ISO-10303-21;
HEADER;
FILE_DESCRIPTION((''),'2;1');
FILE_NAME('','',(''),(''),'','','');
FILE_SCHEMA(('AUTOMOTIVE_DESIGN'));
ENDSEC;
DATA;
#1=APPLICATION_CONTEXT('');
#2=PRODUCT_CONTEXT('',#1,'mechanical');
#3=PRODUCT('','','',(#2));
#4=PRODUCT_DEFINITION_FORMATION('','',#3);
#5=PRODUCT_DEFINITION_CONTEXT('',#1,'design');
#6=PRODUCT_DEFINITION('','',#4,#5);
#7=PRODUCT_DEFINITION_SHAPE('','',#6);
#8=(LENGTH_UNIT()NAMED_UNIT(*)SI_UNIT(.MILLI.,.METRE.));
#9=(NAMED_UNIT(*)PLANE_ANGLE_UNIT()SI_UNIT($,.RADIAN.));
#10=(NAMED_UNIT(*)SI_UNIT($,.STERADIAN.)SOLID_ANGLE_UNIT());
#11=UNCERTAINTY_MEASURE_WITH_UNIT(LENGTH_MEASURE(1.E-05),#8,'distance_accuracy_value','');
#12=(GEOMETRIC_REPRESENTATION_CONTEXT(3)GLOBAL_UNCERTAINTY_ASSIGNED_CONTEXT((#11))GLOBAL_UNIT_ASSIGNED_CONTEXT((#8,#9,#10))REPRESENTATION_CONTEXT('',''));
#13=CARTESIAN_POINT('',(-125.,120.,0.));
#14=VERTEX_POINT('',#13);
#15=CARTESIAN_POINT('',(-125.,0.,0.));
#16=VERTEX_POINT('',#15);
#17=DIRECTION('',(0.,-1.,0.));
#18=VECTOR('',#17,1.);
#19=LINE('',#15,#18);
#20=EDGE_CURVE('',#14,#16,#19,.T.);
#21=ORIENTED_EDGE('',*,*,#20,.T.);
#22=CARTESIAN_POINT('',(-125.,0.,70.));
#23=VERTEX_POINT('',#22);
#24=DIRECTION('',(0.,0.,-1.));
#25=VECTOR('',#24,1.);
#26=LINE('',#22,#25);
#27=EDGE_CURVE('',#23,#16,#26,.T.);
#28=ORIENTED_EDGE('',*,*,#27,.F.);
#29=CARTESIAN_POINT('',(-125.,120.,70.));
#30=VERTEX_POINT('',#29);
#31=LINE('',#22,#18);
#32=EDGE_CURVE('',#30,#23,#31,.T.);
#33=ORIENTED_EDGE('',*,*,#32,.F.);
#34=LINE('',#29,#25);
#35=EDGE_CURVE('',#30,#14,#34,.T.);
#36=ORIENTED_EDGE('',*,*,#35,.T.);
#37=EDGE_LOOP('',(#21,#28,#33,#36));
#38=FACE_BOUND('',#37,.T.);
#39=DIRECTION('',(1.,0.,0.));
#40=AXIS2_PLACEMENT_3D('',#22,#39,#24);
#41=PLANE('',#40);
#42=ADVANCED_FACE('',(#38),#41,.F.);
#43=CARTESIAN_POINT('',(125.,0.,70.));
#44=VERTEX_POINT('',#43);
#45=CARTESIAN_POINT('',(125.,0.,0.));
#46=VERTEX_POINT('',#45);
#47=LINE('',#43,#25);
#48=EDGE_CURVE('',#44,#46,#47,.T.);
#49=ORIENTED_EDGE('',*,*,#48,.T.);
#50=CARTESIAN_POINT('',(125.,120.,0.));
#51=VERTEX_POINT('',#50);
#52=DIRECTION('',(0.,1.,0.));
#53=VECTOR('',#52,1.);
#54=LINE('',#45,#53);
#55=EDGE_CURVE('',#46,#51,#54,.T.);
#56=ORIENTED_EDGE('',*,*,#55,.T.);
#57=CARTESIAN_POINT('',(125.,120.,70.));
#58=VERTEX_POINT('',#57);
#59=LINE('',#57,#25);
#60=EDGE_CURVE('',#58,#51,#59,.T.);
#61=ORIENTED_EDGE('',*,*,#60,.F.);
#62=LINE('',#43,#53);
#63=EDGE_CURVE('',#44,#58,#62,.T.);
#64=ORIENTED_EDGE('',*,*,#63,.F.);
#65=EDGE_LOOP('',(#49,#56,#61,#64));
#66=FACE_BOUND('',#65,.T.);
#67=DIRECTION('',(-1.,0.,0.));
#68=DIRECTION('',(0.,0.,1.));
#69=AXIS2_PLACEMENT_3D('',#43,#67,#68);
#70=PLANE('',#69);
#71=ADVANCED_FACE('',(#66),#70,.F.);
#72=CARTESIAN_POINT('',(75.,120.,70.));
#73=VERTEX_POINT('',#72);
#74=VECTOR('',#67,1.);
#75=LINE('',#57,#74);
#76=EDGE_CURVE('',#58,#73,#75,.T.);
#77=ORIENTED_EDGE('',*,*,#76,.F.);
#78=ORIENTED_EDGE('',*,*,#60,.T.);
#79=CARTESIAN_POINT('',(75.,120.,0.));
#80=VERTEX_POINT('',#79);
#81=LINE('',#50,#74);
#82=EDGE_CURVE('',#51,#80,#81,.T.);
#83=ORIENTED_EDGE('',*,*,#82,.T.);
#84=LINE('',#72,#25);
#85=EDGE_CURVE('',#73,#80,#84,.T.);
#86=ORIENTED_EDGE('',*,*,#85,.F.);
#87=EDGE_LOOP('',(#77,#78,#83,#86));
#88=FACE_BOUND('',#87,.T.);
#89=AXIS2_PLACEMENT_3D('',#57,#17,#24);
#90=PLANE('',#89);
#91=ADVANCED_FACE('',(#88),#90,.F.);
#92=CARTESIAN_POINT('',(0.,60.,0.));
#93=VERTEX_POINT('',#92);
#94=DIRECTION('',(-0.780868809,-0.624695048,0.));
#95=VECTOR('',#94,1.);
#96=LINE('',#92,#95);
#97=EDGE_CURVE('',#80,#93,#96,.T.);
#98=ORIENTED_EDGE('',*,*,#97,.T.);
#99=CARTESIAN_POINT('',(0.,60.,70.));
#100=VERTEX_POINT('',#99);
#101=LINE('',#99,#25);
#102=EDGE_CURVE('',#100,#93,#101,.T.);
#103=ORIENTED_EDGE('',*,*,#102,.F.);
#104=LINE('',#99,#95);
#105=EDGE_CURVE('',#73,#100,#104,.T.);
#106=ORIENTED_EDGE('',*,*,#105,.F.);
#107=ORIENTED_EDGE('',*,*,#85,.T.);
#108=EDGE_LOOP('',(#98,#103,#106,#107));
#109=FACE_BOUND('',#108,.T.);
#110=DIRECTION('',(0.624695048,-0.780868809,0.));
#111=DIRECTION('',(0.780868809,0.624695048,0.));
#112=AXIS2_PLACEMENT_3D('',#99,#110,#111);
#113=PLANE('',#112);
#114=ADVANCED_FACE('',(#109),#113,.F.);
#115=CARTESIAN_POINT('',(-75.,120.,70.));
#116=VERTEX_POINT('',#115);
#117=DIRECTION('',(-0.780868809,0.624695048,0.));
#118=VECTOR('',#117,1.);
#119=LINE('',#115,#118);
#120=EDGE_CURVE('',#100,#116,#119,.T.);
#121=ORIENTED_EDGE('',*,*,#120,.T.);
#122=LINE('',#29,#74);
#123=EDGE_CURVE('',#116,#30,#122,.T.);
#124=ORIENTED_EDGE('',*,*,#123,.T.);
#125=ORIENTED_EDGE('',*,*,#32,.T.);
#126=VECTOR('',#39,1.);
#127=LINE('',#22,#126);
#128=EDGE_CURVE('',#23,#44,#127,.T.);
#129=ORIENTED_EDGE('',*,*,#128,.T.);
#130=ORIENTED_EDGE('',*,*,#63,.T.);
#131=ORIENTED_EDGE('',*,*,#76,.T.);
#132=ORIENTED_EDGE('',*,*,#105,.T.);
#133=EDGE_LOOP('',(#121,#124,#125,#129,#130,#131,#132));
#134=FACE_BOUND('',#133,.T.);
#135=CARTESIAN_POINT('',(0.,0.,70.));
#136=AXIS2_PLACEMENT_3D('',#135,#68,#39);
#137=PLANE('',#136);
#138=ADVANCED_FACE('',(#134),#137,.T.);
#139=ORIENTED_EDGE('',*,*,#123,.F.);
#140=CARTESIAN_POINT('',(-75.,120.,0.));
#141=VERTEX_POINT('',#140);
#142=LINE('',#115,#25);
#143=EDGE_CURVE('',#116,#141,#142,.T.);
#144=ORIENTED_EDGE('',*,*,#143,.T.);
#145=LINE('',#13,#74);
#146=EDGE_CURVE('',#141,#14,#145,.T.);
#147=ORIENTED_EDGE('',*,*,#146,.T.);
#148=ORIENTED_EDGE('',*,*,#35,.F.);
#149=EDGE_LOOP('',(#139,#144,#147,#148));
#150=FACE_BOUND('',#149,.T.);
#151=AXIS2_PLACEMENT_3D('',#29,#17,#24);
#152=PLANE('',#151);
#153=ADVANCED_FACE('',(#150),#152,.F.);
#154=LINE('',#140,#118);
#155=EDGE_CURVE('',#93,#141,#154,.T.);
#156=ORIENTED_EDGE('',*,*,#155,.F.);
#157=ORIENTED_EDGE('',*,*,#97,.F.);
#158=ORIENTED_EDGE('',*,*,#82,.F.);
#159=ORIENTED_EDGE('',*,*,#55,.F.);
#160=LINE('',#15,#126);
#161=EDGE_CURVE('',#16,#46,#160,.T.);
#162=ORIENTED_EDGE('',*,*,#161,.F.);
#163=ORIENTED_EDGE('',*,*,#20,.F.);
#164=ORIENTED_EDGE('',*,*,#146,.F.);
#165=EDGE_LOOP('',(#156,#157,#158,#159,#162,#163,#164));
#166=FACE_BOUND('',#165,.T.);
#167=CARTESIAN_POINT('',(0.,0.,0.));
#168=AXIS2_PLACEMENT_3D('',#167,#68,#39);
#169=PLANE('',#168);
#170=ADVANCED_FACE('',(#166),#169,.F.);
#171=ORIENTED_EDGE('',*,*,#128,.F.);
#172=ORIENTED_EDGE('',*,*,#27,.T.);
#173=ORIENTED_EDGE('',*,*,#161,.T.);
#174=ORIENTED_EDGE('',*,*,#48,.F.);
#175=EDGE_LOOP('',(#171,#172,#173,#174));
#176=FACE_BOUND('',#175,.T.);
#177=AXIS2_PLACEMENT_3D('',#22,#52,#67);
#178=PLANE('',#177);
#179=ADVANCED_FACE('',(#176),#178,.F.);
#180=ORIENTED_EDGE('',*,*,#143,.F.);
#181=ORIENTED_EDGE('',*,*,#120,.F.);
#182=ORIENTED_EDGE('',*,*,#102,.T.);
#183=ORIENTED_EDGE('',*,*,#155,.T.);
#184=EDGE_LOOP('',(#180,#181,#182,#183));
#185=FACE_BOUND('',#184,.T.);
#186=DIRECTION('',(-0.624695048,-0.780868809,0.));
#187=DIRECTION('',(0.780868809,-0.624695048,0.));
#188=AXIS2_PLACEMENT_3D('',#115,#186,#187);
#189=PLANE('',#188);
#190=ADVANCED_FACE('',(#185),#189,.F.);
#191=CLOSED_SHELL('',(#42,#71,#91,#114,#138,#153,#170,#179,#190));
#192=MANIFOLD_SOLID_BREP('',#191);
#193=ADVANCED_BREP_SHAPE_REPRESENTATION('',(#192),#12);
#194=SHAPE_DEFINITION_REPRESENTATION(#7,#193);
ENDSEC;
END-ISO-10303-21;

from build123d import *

# Parameters (mm, degrees)
Y_KSEKLIK_EKSTR_ZYON1_DEPTH = 70


with BuildPart() as part:
    # Çizim1 → Yükseklik-Ekstrüzyon1 (new body)
    with BuildSketch(Plane.XY):
        Polygon((-125, 0), (125, 0), (125, 120), (75, 120), (0, 60), (-75, 120), (-125, 120), align=None)
    extrude(amount=Y_KSEKLIK_EKSTR_ZYON1_DEPTH)


solid = part.part
